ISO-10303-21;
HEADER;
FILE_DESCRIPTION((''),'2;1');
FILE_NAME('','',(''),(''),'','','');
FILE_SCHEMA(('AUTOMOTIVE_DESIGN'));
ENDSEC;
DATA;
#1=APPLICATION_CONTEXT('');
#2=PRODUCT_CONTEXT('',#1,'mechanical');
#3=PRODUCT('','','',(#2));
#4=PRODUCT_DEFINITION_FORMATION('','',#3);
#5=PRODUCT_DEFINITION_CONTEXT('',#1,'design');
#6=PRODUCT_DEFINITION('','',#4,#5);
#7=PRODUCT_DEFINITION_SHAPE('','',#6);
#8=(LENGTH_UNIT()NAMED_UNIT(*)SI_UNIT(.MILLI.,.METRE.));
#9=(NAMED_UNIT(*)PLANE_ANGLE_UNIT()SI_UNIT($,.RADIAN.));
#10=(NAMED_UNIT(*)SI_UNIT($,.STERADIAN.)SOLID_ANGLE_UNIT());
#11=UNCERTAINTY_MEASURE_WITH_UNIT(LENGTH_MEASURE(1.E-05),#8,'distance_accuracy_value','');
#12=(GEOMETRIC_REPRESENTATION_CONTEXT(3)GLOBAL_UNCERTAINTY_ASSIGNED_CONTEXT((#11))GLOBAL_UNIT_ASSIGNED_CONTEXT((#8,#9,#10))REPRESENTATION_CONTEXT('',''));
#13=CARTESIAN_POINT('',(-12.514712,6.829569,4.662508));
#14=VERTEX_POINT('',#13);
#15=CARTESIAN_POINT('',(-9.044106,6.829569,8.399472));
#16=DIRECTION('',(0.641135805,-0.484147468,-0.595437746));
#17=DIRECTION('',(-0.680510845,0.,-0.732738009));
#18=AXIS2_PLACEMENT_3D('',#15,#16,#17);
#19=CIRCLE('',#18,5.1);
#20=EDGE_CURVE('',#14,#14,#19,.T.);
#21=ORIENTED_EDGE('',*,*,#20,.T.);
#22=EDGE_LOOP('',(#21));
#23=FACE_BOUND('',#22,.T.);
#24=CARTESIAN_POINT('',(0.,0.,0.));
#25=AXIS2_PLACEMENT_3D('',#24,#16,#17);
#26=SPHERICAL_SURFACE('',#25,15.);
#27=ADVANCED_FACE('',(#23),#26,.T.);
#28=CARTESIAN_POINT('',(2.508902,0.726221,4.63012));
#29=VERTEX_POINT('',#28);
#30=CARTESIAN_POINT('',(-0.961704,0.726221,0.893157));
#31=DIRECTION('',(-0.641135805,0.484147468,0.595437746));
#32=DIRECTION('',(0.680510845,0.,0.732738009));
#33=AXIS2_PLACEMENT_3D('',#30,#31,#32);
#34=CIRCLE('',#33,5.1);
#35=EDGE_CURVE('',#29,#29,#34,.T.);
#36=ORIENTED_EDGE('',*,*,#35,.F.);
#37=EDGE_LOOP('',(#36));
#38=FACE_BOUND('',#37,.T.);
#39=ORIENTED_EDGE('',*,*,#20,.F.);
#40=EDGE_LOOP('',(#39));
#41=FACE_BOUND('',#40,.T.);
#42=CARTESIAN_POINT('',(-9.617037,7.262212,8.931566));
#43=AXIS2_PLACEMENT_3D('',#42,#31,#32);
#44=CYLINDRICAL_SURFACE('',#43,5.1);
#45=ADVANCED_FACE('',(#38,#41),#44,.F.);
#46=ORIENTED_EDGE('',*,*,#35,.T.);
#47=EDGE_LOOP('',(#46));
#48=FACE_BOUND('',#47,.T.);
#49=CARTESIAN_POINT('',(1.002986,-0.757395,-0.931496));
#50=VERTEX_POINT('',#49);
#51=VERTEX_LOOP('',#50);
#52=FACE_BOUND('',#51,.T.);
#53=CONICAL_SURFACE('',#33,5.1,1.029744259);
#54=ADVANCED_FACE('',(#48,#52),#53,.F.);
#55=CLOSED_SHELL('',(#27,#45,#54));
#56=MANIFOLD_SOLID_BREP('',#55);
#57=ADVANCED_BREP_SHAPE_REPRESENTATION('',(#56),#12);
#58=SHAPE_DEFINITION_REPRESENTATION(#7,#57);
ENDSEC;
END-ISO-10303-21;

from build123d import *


with BuildPart() as part:
    # Sketch1 → Revolve1 (revolve)
    with BuildSketch(Plane.XY):
        with BuildLine():
            Line((0, 15), (0, -15))
            ThreePointArc((0, -15), (15, 0), (0, 15))
        make_face()
    revolve(axis=Axis((0, 15, 0), (0, -1, 0)))

    # Sketch2 → M12x1.75 Tapped Hole1 (revolve, cut)
    with BuildSketch(Plane(origin=(-9.617037072, 7.262212017, 8.931566188), x_dir=(0.050610565, -0.747524551, 0.662303266), z_dir=(0.765756783, 0.454761778, 0.454761778))):
        Polygon((0, 0), (0, 16.564389157), (5.1, 13.5), (5.1, 0), align=None)
    revolve(axis=Axis((-13.688249433, 10.336548437, 12.712595875), (0.641135805, -0.484147468, -0.595437746)), mode=Mode.SUBTRACT)


solid = part.part
